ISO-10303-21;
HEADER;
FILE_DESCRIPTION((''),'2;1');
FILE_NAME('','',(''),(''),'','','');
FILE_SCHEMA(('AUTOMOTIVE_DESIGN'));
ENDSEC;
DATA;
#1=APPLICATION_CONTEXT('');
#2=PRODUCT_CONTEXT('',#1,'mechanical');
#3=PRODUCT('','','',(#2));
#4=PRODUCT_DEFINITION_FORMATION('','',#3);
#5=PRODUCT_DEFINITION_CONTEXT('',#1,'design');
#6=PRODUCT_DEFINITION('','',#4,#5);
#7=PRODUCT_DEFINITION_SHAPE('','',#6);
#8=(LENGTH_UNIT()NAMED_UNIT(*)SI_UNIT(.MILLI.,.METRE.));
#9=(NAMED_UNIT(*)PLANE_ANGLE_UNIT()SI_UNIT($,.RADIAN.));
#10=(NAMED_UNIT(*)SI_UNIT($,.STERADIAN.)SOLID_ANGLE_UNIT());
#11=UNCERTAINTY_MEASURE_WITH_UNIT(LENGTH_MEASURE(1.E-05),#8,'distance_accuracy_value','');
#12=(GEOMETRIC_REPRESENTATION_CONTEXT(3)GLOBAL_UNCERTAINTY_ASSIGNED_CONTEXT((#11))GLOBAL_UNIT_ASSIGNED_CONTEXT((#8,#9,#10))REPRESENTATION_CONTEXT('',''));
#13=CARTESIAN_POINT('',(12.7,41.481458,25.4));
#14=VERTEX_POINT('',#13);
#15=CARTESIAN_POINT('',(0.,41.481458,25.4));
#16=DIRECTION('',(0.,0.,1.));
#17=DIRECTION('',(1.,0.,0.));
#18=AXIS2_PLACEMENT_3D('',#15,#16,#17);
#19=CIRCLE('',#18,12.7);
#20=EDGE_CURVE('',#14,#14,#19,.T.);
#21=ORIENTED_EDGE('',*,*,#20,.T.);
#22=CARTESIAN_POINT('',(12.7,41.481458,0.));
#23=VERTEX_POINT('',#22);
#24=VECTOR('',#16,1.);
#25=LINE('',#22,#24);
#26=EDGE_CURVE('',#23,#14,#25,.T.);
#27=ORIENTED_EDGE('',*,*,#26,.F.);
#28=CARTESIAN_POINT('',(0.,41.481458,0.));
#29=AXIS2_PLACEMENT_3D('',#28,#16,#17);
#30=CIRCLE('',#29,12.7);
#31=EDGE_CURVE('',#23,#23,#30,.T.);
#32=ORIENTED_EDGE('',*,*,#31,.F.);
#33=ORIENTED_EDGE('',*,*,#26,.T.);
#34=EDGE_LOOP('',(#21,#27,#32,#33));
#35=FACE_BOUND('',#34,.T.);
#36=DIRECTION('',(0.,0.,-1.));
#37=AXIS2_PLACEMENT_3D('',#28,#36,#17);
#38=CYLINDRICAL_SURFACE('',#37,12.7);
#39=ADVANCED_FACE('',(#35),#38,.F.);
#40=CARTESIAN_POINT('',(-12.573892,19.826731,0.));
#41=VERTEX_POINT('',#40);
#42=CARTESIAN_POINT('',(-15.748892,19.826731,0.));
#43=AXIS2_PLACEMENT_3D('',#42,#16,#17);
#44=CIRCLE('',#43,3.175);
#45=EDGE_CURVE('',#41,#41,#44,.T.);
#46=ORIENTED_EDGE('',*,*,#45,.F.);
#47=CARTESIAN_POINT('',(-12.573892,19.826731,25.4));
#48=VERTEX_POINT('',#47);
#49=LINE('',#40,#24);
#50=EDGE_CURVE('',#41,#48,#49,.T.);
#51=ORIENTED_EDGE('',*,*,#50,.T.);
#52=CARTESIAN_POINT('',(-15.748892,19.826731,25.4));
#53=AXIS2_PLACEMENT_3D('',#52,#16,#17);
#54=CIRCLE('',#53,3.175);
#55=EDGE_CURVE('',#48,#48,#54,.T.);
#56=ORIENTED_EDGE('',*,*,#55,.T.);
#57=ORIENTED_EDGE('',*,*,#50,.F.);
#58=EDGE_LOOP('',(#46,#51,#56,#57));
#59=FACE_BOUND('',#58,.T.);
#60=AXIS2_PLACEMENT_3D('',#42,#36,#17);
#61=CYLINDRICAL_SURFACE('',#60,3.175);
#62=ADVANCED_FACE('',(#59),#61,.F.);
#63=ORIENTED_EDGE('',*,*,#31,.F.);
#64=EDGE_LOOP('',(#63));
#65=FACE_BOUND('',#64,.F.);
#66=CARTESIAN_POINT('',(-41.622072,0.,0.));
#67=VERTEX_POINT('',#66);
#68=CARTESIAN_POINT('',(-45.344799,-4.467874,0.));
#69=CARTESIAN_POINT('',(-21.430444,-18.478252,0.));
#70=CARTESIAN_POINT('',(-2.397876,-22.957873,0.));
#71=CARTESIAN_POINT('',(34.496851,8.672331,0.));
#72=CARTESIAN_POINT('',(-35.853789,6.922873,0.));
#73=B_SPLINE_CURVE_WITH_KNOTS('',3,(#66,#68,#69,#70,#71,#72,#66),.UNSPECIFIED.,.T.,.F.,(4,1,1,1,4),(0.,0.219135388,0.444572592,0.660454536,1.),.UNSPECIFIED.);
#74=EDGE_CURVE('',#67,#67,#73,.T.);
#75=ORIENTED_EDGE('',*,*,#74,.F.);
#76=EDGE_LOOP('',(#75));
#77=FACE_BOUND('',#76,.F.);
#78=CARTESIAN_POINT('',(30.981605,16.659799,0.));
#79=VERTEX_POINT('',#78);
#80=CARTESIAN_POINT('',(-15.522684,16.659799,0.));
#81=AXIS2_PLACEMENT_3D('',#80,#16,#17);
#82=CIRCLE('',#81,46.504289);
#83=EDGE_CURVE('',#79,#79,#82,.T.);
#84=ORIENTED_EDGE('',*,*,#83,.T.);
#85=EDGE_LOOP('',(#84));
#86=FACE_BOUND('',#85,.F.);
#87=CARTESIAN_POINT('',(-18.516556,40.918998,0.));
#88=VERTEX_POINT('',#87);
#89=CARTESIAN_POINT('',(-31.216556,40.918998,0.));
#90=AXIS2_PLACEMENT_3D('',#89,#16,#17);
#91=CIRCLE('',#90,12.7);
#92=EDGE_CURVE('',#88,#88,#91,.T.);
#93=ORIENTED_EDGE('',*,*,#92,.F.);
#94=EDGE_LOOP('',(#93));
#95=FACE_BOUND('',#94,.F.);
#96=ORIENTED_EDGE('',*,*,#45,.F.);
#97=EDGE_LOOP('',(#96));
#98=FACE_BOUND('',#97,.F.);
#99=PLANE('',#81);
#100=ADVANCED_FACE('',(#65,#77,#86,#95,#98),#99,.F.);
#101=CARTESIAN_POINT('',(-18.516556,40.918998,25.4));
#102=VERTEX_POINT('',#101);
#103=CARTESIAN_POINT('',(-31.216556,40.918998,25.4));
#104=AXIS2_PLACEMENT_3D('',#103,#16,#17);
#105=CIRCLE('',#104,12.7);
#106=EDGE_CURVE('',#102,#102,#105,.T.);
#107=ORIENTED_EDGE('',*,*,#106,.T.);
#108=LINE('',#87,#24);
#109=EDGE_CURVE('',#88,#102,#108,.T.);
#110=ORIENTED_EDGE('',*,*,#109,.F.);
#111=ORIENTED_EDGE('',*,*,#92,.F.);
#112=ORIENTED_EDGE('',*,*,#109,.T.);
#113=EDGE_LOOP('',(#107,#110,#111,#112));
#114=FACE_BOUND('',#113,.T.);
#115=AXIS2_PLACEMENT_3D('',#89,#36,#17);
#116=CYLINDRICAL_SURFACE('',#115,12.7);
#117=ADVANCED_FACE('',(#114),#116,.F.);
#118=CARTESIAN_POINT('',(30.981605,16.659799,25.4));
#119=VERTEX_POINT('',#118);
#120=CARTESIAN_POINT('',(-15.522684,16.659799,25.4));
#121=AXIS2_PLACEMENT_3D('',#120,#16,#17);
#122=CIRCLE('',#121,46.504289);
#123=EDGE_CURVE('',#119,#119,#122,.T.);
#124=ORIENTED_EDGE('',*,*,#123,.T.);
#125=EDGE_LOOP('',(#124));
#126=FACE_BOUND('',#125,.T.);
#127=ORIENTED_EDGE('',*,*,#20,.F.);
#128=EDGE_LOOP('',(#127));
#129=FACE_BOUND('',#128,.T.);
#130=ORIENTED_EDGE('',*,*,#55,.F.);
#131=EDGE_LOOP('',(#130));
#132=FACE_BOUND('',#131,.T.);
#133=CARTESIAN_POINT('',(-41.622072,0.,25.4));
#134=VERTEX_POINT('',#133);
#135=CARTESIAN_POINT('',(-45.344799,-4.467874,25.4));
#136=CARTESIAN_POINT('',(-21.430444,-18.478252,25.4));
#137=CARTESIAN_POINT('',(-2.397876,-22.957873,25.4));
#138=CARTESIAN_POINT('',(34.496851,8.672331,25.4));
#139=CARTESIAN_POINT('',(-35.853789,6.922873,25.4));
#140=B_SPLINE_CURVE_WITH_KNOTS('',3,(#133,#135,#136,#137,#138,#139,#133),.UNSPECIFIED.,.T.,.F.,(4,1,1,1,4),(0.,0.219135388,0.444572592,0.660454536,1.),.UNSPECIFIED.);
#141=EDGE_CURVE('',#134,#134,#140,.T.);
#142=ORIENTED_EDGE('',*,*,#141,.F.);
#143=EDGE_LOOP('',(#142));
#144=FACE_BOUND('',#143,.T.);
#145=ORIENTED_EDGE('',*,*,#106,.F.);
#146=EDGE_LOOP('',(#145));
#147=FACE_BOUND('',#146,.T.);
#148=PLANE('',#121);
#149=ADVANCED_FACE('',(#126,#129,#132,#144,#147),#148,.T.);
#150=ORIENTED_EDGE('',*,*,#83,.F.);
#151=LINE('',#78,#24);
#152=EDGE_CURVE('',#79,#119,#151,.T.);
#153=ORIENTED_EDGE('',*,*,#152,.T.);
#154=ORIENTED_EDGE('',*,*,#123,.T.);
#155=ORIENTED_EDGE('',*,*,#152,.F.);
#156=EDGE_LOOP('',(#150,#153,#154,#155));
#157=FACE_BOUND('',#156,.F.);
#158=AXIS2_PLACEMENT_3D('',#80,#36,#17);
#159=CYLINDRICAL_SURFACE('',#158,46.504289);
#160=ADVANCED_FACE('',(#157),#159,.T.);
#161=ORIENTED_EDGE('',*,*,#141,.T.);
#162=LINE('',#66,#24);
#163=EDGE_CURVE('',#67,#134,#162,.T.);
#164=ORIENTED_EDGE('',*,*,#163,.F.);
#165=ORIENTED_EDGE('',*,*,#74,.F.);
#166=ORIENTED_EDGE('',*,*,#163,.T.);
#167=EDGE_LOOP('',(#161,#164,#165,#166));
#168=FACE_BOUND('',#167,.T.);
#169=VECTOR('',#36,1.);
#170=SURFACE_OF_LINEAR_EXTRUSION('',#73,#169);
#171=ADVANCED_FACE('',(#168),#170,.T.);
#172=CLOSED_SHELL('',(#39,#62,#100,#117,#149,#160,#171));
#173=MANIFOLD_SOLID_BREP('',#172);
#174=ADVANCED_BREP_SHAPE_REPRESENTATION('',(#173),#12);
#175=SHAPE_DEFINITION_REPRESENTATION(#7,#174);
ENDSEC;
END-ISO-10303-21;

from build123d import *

# Parameters (mm, degrees)
F0_R     = 46.5042887468
F0_R_2   = 3.175
F0_R_3   = 12.7
F1_DEPTH = 25.4


with BuildPart() as f1:
    # F0 (on Top) → F1 (new body)
    with BuildSketch(Plane.XY):
        with Locations((-15.5226838734, 16.65979925)):
            Circle(F0_R)
        with BuildLine():
            add(Edge.make_bspline(
                [(-41.6220724583, 0), (-45.3447994291, -4.4678741851), (-21.430444068, -18.4782515244), (-2.3978764958, -22.9578726), (34.4968506502, 8.6723313891), (-35.8537888859, 6.9228727939), (-41.6220724583, 0)],
                knots=[0, 0, 0, 0, 0.2191353875, 0.4445725923, 0.6604545361, 1, 1, 1, 1], degree=3))
        make_face(mode=Mode.SUBTRACT)
        with Locations((-15.7488919795, 19.8267307132)):
            Circle(F0_R_2, mode=Mode.SUBTRACT)
        with Locations((-31.2165562063, 40.9189984202)):
            Circle(F0_R_3, mode=Mode.SUBTRACT)
        with Locations((0, 41.4814576507)):
            Circle(F0_R_3, mode=Mode.SUBTRACT)
    extrude(amount=F1_DEPTH)


solid = f1.part
